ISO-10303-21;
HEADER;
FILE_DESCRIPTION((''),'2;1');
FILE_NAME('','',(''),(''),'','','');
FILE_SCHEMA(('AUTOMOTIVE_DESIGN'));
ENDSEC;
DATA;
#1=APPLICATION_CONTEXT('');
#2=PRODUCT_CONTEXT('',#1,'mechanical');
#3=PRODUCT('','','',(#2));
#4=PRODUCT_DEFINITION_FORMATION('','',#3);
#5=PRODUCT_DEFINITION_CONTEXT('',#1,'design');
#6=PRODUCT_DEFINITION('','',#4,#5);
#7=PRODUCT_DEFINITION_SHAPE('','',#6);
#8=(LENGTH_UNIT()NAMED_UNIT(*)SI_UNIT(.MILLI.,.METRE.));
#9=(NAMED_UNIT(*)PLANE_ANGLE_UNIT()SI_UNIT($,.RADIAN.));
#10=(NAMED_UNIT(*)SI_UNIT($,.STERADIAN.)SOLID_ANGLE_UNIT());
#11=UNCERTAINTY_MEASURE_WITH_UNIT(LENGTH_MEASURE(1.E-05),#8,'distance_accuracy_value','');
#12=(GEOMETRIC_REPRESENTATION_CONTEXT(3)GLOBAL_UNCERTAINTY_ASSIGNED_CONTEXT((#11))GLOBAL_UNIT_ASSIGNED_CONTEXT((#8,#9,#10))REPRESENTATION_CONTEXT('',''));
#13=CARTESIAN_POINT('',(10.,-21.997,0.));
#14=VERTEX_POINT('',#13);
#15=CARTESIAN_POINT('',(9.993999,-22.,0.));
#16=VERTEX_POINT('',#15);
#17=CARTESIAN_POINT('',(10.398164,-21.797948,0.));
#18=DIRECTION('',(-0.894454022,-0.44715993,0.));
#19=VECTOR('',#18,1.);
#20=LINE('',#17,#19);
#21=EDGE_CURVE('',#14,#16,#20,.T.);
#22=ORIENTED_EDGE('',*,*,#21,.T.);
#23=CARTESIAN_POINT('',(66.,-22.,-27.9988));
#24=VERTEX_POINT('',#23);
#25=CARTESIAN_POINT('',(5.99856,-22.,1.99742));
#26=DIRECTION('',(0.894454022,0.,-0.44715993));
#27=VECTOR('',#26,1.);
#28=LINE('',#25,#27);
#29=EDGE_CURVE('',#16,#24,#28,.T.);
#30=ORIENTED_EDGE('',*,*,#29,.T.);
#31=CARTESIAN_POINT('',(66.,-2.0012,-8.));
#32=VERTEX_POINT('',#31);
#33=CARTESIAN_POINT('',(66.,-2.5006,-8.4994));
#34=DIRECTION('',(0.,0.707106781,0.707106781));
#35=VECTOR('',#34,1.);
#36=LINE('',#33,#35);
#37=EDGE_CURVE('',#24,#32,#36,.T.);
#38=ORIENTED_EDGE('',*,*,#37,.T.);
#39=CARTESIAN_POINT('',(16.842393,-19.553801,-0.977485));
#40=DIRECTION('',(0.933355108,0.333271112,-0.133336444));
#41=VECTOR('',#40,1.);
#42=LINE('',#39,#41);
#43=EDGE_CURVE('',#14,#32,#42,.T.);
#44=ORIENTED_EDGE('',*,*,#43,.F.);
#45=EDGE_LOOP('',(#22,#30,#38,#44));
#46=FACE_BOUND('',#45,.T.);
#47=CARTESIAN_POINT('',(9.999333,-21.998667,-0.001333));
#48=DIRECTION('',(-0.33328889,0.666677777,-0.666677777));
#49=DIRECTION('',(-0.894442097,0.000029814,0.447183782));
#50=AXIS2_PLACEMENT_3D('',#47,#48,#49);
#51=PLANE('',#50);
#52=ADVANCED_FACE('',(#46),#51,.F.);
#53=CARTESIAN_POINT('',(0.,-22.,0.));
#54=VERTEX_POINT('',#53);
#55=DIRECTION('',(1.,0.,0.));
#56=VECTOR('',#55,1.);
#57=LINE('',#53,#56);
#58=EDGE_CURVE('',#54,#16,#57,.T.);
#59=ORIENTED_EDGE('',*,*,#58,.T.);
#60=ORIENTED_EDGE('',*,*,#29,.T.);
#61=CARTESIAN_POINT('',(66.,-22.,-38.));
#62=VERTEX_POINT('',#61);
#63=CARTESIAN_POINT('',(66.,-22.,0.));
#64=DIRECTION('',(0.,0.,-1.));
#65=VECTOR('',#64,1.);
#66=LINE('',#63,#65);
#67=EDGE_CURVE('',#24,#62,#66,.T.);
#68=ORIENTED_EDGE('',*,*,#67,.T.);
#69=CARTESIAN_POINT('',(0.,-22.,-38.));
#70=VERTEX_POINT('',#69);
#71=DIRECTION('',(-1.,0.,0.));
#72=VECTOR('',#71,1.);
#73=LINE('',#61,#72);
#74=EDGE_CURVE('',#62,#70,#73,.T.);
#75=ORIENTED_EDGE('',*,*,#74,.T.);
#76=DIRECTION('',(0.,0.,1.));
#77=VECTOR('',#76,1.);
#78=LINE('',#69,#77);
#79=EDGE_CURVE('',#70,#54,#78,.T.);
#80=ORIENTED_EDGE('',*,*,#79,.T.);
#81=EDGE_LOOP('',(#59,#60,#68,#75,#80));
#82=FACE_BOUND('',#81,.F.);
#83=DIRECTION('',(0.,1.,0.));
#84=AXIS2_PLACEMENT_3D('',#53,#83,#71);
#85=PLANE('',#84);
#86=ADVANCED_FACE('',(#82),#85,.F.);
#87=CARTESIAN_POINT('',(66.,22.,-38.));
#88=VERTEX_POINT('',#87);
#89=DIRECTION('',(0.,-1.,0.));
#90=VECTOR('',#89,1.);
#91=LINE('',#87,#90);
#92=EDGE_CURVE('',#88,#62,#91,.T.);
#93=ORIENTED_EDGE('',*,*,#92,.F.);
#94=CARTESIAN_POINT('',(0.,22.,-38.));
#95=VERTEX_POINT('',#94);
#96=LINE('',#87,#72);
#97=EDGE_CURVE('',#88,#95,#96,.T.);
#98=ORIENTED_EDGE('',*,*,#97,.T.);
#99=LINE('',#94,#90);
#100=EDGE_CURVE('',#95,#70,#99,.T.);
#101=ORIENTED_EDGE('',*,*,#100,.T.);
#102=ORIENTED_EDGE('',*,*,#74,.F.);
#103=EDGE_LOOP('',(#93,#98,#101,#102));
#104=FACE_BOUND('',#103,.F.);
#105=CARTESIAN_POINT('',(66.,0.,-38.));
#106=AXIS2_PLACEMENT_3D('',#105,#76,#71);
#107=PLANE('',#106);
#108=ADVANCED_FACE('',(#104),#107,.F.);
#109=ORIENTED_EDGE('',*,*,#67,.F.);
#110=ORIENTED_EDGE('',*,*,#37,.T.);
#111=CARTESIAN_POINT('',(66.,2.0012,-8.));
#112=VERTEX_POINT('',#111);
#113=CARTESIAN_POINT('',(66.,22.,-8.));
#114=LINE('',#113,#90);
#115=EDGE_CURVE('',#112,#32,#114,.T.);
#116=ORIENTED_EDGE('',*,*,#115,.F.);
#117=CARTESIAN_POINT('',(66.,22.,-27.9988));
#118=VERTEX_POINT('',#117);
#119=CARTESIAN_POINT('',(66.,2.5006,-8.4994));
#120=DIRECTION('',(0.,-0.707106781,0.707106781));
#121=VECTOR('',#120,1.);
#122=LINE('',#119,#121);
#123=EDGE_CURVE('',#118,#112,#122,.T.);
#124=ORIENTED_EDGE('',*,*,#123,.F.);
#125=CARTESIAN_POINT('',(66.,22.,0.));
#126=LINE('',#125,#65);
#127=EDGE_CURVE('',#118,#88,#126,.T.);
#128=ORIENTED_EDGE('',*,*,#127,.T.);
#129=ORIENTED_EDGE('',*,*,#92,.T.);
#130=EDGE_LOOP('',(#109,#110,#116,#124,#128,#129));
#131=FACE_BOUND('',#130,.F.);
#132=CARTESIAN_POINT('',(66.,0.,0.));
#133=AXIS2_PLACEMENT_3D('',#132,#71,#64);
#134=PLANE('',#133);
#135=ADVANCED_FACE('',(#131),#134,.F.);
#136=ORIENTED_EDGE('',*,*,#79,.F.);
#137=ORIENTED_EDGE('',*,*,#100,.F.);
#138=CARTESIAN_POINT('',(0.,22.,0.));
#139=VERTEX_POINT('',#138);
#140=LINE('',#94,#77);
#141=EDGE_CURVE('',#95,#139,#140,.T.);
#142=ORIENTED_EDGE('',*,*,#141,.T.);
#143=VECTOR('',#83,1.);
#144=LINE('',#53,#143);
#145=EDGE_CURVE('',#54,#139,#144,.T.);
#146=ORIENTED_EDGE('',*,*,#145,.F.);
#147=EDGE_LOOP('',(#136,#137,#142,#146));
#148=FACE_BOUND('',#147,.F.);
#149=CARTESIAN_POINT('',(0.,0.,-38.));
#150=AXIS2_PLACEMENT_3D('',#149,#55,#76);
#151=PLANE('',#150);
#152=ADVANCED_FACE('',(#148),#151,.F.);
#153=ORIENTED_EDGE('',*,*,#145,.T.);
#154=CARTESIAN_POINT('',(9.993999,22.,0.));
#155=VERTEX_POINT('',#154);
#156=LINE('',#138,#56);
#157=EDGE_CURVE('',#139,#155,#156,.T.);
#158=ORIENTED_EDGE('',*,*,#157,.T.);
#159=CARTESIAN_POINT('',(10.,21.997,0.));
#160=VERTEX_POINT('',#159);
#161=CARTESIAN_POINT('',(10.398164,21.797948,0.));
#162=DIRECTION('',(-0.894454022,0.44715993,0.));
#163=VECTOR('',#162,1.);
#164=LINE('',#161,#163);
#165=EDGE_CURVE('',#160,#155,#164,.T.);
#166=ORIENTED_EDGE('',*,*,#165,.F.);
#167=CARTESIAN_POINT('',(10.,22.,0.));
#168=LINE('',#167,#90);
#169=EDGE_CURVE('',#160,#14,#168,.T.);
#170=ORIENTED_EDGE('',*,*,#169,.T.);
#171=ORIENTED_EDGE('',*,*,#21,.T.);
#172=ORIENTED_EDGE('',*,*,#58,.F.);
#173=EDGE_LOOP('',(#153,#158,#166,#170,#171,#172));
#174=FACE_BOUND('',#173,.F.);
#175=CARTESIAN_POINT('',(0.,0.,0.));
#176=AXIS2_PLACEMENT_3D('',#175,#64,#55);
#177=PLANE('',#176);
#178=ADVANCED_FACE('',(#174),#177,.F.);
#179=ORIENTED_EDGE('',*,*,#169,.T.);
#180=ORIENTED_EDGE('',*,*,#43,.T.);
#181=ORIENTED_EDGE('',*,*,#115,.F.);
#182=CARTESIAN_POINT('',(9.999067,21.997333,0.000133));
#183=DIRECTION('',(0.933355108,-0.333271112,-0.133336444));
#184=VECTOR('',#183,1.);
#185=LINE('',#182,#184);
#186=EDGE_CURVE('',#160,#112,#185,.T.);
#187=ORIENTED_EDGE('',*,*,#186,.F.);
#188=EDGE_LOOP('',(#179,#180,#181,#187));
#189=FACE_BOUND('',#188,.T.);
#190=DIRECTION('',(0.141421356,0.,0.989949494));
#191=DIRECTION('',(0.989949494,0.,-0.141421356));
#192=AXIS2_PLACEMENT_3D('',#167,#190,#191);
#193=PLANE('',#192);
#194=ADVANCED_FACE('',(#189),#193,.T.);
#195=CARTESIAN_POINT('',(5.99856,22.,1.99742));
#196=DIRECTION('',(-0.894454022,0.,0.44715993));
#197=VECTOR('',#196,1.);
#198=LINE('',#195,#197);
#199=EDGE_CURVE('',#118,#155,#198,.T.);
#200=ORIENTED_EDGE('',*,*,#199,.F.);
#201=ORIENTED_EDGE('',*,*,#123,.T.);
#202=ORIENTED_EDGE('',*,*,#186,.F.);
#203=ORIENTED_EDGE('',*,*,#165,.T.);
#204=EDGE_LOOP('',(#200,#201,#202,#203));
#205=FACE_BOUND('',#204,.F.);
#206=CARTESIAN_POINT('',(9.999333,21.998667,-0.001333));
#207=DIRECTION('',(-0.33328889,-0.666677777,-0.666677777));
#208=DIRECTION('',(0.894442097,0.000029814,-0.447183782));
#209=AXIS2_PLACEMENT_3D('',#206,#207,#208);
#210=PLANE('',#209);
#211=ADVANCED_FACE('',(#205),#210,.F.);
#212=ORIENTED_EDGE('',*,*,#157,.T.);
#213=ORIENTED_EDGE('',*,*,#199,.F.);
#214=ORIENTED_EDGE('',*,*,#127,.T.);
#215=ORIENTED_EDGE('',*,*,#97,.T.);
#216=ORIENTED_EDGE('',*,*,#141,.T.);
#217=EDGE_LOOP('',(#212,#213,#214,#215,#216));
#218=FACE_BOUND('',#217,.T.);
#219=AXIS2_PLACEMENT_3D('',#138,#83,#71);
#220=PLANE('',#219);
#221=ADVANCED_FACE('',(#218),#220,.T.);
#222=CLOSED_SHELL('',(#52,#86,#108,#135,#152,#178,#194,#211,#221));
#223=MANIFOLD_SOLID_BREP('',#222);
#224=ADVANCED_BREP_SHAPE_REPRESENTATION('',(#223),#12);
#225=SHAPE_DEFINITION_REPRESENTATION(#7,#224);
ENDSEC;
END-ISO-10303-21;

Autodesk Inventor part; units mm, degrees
ref_plane "YZ Plane" through (0, 0, 0) normal (1, 0, 0) x (0, 1, 0)
ref_plane "XZ Plane" through (0, 0, 0) normal (0, 1, 0) x (-1, 0, 0)
sketch "草圖1" plane through (0, 0, 0) normal (0, 1, 0) x (-1, 0, 0)
  line L0 (0, 0) -> (-66, 0)
  line L1 (-66, 0) -> (-66, -38)
  line L2 (-66, -38) -> (0, -38)
  line L3 (0, -38) -> (0, 0)
  dimension "d0" = 66
  dimension "d1" = 38
extrude "擠出1" add sketch "草圖1" along normal mid plane 44
sketch "草圖2" plane through (0, 22, 0) normal (0, 1, 0) x (1, 0, 0)
  line L0 (0, 0) -> (66, 0) projected
  line L1 (10, 0) -> (66, 8)
  line L2 (66, 0) -> (66, 38) projected
  dimension "d4" = 10
  dimension "d5" = 30
extrude "擠出2" cut sketch "草圖2" against normal blind 60
sketch "草圖3" plane through (66, -22, -38) normal (1, 0, 0) x (0, 0, -1)
  line L0 (-30, 24) -> (-10, 44)
  line L1 (0, 44) -> (-38, 44) projected
  line L2 (-30, 44) -> (-30, 0) projected
  point P0 (-38, 22)
  point P1 (-30, 2)
  dimension "d8" = 20
  dimension "d9" = 20
ref_plane "工作平面1" through (10, 22, 0) normal (-0.3333, -0.6667, -0.6667) x (0.8944, 0, -0.4472)
sketch "草圖4" plane through (10, 22, 0) normal (-0.3333, -0.6667, -0.6667) x (0.8944, 0, -0.4472)
  line L0 (-15.1543, -12.3218) -> (93.717, -12.3218)
  line L1 (93.717, -12.3218) -> (93.717, 28.8166)
  line L2 (93.717, 28.8166) -> (-15.1543, 28.8166)
  line L3 (-15.1543, 28.8166) -> (-15.1543, -12.3218)
  point P0 (-8.9443, 13.4164)
extrude "擠出3" cut sketch "草圖4" against normal blind 40
mirror "鏡射1" about plane through (0, 0, 0) normal (0, 1, 0) of "擠出3"
properties part number "55"
